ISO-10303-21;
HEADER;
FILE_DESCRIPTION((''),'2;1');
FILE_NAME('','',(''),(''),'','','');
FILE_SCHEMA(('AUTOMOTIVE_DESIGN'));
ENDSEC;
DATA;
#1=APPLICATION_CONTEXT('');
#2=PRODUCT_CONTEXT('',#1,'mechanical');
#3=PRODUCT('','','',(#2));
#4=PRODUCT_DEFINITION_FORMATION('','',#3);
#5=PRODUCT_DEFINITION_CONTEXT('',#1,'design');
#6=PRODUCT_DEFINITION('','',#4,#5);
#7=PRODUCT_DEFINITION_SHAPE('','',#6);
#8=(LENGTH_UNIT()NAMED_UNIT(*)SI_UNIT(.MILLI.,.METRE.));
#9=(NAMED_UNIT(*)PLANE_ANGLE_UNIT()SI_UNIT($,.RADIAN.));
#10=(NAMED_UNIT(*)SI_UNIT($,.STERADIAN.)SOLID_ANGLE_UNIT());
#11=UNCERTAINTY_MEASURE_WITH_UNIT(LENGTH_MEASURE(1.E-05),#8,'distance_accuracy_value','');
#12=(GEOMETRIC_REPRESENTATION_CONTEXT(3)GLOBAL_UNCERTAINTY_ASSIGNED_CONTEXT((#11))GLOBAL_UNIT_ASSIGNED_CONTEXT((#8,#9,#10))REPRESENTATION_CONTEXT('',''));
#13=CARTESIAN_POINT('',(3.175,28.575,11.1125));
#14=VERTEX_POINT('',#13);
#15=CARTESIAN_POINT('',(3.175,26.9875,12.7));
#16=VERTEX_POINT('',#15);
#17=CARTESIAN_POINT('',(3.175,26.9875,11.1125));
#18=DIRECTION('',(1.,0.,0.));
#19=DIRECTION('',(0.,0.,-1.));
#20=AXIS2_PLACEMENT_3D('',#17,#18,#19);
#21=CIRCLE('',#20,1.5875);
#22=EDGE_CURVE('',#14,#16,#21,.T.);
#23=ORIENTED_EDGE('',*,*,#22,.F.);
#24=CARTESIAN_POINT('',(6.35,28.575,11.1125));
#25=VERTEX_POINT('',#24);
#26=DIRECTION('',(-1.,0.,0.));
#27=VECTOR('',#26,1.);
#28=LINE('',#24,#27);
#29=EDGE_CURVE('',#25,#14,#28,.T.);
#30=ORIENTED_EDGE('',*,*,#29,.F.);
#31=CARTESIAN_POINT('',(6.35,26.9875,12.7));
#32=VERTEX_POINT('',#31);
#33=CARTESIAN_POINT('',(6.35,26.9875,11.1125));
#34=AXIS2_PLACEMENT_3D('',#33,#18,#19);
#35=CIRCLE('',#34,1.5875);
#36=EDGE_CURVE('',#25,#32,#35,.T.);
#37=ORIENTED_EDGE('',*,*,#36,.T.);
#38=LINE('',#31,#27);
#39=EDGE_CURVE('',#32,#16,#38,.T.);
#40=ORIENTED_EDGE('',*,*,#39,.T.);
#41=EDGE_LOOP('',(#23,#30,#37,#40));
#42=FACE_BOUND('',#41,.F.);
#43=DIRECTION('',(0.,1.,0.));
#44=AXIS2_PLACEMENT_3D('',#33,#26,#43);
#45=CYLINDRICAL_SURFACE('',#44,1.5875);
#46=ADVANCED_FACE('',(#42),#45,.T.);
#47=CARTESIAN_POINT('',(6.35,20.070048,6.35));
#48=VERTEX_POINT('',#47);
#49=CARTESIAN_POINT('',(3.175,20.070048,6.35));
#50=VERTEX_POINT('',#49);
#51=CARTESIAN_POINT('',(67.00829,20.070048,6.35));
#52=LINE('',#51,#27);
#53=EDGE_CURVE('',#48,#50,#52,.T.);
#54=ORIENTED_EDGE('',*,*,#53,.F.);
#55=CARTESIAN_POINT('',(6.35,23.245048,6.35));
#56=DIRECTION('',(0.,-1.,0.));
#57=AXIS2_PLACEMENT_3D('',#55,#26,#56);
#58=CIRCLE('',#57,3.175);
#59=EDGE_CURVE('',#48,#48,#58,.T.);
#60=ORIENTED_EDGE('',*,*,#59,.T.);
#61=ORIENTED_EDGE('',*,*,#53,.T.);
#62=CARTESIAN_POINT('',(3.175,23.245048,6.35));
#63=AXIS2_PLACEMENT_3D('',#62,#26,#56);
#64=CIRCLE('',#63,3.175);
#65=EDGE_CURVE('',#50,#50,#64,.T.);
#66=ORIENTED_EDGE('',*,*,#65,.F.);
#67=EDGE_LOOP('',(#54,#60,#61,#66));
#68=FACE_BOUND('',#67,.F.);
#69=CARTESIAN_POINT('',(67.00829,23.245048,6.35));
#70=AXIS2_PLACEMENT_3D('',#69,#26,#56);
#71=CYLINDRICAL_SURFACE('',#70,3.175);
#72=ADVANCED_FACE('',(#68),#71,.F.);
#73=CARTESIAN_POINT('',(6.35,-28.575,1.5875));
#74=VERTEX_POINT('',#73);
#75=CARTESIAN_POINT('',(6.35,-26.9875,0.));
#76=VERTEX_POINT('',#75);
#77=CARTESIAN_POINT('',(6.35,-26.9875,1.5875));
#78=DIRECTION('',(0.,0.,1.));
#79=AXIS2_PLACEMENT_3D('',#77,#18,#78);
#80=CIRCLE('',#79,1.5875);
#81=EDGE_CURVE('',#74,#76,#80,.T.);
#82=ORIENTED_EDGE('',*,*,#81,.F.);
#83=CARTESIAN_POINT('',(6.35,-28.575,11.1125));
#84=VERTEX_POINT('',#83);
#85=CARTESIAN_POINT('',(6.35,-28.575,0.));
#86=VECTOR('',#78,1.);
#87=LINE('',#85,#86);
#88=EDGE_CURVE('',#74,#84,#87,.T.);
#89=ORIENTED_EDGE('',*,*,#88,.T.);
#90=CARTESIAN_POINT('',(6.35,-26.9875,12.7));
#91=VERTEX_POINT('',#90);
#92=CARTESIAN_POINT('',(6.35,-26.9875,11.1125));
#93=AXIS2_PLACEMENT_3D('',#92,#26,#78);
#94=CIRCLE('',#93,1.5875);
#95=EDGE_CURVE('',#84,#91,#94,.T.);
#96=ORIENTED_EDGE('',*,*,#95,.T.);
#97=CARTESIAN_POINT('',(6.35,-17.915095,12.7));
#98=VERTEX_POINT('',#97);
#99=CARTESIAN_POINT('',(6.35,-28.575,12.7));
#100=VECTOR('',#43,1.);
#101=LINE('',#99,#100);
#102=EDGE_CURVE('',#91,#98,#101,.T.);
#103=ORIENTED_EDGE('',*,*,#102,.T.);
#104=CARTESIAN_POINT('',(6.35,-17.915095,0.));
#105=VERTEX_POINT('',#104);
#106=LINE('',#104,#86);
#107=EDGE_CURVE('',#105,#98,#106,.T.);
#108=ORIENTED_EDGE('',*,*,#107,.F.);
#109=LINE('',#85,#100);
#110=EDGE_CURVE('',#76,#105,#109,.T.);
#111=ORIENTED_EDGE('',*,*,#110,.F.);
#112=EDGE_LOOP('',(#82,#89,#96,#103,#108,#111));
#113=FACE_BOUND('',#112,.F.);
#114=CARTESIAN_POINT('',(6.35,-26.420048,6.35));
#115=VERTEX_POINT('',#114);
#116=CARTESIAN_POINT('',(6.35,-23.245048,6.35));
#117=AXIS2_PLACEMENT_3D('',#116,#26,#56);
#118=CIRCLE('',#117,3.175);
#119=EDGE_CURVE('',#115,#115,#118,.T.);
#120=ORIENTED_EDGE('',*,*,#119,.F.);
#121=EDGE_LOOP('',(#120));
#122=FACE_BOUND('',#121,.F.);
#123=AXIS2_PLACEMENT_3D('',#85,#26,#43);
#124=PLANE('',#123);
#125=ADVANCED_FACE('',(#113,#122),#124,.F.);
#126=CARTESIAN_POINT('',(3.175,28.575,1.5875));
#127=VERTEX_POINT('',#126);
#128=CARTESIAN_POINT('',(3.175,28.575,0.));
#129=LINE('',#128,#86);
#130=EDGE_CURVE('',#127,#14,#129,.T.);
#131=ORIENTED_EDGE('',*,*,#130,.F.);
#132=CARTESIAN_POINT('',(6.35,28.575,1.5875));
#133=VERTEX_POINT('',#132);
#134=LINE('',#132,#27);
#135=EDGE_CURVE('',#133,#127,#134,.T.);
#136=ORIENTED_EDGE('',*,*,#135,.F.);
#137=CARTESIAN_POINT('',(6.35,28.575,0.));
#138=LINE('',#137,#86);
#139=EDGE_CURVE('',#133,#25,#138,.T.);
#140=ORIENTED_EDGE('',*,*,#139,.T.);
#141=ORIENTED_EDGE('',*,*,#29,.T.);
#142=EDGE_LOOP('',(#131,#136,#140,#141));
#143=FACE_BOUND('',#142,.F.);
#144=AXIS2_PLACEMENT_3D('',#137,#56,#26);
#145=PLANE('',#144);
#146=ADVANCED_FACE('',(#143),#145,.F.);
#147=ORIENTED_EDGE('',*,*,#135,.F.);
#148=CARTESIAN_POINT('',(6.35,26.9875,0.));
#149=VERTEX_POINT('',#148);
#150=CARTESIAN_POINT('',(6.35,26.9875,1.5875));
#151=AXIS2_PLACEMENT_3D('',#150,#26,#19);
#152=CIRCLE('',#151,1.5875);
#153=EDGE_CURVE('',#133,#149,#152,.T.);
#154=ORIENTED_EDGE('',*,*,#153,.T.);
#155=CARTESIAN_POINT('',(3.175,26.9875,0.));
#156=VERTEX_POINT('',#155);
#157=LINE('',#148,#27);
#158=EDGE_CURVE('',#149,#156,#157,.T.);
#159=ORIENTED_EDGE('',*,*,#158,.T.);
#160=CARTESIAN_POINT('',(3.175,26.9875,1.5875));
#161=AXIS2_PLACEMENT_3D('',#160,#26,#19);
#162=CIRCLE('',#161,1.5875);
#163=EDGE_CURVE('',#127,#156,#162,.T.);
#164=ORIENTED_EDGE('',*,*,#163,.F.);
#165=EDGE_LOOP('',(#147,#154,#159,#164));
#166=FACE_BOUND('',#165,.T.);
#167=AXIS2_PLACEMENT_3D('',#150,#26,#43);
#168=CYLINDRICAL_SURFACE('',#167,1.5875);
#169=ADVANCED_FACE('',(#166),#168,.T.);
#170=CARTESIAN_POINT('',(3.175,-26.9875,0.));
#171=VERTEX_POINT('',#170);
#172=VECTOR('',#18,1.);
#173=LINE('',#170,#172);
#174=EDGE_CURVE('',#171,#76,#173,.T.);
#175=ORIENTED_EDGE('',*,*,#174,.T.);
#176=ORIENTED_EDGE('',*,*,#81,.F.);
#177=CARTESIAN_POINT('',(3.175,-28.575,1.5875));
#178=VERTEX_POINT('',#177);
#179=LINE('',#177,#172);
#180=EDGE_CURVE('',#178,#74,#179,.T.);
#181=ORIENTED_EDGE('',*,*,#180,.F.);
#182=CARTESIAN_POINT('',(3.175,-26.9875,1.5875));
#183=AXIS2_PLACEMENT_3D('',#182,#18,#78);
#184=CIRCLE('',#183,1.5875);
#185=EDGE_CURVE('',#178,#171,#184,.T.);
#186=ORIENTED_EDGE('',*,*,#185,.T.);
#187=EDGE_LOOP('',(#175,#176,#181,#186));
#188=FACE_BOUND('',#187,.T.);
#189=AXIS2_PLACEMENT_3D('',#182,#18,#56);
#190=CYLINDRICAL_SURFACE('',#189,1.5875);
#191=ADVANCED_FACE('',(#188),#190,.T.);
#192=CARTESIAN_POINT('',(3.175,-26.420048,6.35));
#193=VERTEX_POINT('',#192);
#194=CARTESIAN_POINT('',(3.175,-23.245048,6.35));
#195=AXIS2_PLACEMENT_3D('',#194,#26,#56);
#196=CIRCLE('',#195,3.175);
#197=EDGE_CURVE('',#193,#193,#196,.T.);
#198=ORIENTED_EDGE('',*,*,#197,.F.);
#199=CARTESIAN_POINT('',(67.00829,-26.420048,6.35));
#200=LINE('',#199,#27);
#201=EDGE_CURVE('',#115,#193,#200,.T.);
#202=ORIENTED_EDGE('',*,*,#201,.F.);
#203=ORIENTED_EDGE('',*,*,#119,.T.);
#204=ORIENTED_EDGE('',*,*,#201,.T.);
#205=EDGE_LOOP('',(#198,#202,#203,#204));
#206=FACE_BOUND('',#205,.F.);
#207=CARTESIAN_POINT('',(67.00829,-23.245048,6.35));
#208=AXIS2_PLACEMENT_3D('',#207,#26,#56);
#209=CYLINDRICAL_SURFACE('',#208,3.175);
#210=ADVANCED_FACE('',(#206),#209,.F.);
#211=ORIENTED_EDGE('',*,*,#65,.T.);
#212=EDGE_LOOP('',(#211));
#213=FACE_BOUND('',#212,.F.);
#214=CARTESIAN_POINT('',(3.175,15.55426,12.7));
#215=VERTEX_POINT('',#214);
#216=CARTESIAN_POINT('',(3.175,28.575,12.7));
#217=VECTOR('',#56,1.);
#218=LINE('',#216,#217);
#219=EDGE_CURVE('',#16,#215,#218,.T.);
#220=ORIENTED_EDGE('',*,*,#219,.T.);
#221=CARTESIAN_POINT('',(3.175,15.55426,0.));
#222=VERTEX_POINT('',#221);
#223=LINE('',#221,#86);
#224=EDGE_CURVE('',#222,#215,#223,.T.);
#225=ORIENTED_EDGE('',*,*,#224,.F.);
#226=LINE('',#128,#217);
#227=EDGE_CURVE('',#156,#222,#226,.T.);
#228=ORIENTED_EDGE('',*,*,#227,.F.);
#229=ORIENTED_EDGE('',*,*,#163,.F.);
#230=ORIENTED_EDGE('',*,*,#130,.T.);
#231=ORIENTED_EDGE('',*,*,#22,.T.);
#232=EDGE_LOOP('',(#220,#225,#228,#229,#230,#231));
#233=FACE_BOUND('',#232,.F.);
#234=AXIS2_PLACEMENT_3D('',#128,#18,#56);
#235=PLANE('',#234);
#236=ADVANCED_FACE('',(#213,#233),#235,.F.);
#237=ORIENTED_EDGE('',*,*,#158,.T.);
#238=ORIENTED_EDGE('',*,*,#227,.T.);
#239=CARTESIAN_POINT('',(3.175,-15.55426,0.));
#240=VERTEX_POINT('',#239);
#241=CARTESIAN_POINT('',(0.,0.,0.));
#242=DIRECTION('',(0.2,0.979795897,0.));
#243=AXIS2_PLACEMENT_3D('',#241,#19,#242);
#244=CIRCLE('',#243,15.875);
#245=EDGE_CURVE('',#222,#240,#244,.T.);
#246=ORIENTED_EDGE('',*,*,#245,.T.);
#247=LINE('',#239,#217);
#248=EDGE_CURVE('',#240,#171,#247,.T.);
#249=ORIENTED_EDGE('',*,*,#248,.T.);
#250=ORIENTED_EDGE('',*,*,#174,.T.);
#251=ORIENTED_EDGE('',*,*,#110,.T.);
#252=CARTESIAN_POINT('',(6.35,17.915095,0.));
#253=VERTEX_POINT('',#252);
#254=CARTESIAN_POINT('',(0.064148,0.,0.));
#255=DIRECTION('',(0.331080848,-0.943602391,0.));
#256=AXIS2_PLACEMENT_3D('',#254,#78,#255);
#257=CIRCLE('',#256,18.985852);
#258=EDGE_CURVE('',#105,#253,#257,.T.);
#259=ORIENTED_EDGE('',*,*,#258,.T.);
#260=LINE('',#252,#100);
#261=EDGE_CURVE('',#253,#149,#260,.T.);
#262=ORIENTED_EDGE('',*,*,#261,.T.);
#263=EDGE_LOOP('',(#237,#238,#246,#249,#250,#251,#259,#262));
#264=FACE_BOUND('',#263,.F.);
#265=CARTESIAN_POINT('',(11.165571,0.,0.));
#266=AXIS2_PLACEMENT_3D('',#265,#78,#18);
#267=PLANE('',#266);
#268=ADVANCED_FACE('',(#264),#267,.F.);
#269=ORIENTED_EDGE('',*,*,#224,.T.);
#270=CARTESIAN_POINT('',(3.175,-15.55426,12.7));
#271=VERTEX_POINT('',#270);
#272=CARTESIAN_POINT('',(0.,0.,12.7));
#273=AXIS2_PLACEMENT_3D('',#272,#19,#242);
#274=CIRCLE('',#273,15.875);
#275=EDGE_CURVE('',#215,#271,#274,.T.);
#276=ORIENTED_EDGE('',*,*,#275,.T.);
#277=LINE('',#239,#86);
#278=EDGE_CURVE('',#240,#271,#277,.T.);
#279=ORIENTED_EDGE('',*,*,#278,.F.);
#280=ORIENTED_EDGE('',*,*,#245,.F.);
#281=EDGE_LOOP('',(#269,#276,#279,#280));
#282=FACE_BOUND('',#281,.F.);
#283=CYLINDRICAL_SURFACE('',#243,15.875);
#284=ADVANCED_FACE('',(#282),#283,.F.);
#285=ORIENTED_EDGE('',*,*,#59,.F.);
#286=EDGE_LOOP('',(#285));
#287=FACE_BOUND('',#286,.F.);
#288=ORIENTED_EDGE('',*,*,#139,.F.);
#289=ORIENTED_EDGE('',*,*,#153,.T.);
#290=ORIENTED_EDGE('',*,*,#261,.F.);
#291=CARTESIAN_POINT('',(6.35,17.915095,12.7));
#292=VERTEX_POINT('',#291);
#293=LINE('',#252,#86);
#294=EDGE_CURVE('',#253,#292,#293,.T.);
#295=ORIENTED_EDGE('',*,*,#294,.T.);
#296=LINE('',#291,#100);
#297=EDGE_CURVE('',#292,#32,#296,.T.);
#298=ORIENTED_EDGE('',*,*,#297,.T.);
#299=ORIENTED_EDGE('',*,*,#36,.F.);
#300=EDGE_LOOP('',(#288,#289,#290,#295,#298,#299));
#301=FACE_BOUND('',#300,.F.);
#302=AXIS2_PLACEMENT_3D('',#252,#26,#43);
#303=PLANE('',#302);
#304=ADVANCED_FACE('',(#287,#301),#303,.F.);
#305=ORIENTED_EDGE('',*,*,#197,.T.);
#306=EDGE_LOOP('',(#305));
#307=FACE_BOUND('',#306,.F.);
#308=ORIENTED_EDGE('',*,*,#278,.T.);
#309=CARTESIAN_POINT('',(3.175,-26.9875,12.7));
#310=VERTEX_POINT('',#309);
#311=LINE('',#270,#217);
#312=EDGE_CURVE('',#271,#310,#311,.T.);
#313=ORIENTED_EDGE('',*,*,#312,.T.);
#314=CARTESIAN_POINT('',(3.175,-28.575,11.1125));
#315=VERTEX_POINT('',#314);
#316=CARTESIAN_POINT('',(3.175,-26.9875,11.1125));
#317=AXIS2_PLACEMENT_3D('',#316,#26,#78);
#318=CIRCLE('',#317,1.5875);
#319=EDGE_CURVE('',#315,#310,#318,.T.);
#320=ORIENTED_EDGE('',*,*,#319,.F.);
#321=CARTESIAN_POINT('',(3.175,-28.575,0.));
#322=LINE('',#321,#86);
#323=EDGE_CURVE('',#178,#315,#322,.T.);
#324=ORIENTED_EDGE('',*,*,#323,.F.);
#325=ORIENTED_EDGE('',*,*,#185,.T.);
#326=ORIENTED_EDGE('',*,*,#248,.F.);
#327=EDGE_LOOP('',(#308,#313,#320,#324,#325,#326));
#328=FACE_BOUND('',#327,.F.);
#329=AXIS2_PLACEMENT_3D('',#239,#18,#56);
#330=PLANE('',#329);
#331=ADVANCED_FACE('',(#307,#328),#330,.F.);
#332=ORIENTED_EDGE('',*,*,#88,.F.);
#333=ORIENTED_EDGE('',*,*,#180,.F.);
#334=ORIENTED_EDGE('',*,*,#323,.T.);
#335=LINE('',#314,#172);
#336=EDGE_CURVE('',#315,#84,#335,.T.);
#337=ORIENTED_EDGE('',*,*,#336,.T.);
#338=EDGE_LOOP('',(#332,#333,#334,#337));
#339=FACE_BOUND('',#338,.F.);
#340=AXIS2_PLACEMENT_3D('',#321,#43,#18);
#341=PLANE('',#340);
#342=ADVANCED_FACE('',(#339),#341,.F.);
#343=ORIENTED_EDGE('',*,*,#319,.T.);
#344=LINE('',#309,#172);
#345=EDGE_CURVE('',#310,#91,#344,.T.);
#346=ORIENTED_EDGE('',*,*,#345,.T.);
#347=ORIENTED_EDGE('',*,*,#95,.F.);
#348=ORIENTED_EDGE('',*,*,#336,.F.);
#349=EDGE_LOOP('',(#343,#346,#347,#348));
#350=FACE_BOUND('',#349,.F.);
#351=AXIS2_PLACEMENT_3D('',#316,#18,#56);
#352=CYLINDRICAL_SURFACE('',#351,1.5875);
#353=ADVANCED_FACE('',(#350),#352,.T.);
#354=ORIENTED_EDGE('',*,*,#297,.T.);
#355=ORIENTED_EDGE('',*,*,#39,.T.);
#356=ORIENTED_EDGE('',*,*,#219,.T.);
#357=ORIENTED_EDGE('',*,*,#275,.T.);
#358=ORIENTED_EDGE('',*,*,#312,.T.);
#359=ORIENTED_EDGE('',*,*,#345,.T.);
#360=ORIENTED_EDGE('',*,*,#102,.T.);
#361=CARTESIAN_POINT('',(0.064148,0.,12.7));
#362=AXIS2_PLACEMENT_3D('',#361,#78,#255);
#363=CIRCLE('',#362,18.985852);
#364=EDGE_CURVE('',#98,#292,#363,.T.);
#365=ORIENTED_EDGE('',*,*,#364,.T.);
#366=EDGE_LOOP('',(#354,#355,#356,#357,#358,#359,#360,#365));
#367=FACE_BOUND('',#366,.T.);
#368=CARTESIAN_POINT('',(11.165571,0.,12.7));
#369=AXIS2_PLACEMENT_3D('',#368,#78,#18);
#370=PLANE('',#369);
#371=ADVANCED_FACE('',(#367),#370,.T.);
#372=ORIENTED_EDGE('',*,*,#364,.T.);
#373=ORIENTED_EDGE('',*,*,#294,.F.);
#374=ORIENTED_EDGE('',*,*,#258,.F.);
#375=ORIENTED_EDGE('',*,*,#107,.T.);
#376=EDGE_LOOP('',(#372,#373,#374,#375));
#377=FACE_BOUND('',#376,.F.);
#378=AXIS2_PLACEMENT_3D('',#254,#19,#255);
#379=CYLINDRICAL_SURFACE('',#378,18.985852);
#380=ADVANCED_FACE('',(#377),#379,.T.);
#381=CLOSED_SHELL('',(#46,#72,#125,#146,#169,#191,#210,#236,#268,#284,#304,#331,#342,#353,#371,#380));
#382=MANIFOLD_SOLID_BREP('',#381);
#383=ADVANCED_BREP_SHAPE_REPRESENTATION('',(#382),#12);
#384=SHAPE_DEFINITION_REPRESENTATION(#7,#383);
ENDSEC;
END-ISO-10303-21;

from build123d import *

# Parameters (mm, degrees)
F1_DEPTH = 12.7
F2_R     = 1.5875
F4_D     = 6.35


with BuildPart() as f1:
    # F0 (on Top) → F1 (new body)
    with BuildSketch(Plane.XY):
        with BuildLine():
            ThreePointArc((3.175, 15.5542598667), (15.875, 0), (3.175, -15.5542598667))
            Line((3.175, -15.5542598667), (3.175, -18.7292598667))
            ThreePointArc((3.175, -18.7292598667), (4.7801025689, -18.3908223826), (6.35, -17.9150953144))
            ThreePointArc((6.35, -17.9150953144), (19.05, 0), (6.35, 17.9150953144))
            ThreePointArc((6.35, 17.9150953144), (4.7801025689, 18.3908223826), (3.175, 18.7292598667))
            Line((3.175, 18.7292598667), (3.175, 15.5542598667))
        make_face()
        with BuildLine():
            Line((3.175, 28.575), (3.175, 18.7292598667))
            ThreePointArc((3.175, 18.7292598667), (4.7801025689, 18.3908223826), (6.35, 17.9150953144))
            Line((6.35, 17.9150953144), (6.35, 28.575))
            Line((6.35, 28.575), (3.175, 28.575))
        make_face()
        with BuildLine():
            ThreePointArc((6.35, -17.9150953144), (4.7801025689, -18.3908223826), (3.175, -18.7292598667))
            Line((3.175, -18.7292598667), (3.175, -28.575))
            Line((3.175, -28.575), (6.35, -28.575))
            Line((6.35, -28.575), (6.35, -17.9150953144))
        make_face()
    extrude(amount=F1_DEPTH)

    # F2
    f2_edges = [f1.edges().sort_by_distance(p)[0] for p in [
        (4.7625, 28.575, 12.7),
        (4.7625, 28.575, 0),
        (4.7625, -28.575, 0),
        (4.7625, -28.575, 12.7),
    ]]
    fillet(f2_edges, radius=F2_R)

    # F4 (through all)
    with Locations(Plane.YZ.offset(6.35)):
        with Locations((-23.2450476572, 6.35), (23.2450476572, 6.35)):
            Hole(F4_D / 2)


solid = f1.part
